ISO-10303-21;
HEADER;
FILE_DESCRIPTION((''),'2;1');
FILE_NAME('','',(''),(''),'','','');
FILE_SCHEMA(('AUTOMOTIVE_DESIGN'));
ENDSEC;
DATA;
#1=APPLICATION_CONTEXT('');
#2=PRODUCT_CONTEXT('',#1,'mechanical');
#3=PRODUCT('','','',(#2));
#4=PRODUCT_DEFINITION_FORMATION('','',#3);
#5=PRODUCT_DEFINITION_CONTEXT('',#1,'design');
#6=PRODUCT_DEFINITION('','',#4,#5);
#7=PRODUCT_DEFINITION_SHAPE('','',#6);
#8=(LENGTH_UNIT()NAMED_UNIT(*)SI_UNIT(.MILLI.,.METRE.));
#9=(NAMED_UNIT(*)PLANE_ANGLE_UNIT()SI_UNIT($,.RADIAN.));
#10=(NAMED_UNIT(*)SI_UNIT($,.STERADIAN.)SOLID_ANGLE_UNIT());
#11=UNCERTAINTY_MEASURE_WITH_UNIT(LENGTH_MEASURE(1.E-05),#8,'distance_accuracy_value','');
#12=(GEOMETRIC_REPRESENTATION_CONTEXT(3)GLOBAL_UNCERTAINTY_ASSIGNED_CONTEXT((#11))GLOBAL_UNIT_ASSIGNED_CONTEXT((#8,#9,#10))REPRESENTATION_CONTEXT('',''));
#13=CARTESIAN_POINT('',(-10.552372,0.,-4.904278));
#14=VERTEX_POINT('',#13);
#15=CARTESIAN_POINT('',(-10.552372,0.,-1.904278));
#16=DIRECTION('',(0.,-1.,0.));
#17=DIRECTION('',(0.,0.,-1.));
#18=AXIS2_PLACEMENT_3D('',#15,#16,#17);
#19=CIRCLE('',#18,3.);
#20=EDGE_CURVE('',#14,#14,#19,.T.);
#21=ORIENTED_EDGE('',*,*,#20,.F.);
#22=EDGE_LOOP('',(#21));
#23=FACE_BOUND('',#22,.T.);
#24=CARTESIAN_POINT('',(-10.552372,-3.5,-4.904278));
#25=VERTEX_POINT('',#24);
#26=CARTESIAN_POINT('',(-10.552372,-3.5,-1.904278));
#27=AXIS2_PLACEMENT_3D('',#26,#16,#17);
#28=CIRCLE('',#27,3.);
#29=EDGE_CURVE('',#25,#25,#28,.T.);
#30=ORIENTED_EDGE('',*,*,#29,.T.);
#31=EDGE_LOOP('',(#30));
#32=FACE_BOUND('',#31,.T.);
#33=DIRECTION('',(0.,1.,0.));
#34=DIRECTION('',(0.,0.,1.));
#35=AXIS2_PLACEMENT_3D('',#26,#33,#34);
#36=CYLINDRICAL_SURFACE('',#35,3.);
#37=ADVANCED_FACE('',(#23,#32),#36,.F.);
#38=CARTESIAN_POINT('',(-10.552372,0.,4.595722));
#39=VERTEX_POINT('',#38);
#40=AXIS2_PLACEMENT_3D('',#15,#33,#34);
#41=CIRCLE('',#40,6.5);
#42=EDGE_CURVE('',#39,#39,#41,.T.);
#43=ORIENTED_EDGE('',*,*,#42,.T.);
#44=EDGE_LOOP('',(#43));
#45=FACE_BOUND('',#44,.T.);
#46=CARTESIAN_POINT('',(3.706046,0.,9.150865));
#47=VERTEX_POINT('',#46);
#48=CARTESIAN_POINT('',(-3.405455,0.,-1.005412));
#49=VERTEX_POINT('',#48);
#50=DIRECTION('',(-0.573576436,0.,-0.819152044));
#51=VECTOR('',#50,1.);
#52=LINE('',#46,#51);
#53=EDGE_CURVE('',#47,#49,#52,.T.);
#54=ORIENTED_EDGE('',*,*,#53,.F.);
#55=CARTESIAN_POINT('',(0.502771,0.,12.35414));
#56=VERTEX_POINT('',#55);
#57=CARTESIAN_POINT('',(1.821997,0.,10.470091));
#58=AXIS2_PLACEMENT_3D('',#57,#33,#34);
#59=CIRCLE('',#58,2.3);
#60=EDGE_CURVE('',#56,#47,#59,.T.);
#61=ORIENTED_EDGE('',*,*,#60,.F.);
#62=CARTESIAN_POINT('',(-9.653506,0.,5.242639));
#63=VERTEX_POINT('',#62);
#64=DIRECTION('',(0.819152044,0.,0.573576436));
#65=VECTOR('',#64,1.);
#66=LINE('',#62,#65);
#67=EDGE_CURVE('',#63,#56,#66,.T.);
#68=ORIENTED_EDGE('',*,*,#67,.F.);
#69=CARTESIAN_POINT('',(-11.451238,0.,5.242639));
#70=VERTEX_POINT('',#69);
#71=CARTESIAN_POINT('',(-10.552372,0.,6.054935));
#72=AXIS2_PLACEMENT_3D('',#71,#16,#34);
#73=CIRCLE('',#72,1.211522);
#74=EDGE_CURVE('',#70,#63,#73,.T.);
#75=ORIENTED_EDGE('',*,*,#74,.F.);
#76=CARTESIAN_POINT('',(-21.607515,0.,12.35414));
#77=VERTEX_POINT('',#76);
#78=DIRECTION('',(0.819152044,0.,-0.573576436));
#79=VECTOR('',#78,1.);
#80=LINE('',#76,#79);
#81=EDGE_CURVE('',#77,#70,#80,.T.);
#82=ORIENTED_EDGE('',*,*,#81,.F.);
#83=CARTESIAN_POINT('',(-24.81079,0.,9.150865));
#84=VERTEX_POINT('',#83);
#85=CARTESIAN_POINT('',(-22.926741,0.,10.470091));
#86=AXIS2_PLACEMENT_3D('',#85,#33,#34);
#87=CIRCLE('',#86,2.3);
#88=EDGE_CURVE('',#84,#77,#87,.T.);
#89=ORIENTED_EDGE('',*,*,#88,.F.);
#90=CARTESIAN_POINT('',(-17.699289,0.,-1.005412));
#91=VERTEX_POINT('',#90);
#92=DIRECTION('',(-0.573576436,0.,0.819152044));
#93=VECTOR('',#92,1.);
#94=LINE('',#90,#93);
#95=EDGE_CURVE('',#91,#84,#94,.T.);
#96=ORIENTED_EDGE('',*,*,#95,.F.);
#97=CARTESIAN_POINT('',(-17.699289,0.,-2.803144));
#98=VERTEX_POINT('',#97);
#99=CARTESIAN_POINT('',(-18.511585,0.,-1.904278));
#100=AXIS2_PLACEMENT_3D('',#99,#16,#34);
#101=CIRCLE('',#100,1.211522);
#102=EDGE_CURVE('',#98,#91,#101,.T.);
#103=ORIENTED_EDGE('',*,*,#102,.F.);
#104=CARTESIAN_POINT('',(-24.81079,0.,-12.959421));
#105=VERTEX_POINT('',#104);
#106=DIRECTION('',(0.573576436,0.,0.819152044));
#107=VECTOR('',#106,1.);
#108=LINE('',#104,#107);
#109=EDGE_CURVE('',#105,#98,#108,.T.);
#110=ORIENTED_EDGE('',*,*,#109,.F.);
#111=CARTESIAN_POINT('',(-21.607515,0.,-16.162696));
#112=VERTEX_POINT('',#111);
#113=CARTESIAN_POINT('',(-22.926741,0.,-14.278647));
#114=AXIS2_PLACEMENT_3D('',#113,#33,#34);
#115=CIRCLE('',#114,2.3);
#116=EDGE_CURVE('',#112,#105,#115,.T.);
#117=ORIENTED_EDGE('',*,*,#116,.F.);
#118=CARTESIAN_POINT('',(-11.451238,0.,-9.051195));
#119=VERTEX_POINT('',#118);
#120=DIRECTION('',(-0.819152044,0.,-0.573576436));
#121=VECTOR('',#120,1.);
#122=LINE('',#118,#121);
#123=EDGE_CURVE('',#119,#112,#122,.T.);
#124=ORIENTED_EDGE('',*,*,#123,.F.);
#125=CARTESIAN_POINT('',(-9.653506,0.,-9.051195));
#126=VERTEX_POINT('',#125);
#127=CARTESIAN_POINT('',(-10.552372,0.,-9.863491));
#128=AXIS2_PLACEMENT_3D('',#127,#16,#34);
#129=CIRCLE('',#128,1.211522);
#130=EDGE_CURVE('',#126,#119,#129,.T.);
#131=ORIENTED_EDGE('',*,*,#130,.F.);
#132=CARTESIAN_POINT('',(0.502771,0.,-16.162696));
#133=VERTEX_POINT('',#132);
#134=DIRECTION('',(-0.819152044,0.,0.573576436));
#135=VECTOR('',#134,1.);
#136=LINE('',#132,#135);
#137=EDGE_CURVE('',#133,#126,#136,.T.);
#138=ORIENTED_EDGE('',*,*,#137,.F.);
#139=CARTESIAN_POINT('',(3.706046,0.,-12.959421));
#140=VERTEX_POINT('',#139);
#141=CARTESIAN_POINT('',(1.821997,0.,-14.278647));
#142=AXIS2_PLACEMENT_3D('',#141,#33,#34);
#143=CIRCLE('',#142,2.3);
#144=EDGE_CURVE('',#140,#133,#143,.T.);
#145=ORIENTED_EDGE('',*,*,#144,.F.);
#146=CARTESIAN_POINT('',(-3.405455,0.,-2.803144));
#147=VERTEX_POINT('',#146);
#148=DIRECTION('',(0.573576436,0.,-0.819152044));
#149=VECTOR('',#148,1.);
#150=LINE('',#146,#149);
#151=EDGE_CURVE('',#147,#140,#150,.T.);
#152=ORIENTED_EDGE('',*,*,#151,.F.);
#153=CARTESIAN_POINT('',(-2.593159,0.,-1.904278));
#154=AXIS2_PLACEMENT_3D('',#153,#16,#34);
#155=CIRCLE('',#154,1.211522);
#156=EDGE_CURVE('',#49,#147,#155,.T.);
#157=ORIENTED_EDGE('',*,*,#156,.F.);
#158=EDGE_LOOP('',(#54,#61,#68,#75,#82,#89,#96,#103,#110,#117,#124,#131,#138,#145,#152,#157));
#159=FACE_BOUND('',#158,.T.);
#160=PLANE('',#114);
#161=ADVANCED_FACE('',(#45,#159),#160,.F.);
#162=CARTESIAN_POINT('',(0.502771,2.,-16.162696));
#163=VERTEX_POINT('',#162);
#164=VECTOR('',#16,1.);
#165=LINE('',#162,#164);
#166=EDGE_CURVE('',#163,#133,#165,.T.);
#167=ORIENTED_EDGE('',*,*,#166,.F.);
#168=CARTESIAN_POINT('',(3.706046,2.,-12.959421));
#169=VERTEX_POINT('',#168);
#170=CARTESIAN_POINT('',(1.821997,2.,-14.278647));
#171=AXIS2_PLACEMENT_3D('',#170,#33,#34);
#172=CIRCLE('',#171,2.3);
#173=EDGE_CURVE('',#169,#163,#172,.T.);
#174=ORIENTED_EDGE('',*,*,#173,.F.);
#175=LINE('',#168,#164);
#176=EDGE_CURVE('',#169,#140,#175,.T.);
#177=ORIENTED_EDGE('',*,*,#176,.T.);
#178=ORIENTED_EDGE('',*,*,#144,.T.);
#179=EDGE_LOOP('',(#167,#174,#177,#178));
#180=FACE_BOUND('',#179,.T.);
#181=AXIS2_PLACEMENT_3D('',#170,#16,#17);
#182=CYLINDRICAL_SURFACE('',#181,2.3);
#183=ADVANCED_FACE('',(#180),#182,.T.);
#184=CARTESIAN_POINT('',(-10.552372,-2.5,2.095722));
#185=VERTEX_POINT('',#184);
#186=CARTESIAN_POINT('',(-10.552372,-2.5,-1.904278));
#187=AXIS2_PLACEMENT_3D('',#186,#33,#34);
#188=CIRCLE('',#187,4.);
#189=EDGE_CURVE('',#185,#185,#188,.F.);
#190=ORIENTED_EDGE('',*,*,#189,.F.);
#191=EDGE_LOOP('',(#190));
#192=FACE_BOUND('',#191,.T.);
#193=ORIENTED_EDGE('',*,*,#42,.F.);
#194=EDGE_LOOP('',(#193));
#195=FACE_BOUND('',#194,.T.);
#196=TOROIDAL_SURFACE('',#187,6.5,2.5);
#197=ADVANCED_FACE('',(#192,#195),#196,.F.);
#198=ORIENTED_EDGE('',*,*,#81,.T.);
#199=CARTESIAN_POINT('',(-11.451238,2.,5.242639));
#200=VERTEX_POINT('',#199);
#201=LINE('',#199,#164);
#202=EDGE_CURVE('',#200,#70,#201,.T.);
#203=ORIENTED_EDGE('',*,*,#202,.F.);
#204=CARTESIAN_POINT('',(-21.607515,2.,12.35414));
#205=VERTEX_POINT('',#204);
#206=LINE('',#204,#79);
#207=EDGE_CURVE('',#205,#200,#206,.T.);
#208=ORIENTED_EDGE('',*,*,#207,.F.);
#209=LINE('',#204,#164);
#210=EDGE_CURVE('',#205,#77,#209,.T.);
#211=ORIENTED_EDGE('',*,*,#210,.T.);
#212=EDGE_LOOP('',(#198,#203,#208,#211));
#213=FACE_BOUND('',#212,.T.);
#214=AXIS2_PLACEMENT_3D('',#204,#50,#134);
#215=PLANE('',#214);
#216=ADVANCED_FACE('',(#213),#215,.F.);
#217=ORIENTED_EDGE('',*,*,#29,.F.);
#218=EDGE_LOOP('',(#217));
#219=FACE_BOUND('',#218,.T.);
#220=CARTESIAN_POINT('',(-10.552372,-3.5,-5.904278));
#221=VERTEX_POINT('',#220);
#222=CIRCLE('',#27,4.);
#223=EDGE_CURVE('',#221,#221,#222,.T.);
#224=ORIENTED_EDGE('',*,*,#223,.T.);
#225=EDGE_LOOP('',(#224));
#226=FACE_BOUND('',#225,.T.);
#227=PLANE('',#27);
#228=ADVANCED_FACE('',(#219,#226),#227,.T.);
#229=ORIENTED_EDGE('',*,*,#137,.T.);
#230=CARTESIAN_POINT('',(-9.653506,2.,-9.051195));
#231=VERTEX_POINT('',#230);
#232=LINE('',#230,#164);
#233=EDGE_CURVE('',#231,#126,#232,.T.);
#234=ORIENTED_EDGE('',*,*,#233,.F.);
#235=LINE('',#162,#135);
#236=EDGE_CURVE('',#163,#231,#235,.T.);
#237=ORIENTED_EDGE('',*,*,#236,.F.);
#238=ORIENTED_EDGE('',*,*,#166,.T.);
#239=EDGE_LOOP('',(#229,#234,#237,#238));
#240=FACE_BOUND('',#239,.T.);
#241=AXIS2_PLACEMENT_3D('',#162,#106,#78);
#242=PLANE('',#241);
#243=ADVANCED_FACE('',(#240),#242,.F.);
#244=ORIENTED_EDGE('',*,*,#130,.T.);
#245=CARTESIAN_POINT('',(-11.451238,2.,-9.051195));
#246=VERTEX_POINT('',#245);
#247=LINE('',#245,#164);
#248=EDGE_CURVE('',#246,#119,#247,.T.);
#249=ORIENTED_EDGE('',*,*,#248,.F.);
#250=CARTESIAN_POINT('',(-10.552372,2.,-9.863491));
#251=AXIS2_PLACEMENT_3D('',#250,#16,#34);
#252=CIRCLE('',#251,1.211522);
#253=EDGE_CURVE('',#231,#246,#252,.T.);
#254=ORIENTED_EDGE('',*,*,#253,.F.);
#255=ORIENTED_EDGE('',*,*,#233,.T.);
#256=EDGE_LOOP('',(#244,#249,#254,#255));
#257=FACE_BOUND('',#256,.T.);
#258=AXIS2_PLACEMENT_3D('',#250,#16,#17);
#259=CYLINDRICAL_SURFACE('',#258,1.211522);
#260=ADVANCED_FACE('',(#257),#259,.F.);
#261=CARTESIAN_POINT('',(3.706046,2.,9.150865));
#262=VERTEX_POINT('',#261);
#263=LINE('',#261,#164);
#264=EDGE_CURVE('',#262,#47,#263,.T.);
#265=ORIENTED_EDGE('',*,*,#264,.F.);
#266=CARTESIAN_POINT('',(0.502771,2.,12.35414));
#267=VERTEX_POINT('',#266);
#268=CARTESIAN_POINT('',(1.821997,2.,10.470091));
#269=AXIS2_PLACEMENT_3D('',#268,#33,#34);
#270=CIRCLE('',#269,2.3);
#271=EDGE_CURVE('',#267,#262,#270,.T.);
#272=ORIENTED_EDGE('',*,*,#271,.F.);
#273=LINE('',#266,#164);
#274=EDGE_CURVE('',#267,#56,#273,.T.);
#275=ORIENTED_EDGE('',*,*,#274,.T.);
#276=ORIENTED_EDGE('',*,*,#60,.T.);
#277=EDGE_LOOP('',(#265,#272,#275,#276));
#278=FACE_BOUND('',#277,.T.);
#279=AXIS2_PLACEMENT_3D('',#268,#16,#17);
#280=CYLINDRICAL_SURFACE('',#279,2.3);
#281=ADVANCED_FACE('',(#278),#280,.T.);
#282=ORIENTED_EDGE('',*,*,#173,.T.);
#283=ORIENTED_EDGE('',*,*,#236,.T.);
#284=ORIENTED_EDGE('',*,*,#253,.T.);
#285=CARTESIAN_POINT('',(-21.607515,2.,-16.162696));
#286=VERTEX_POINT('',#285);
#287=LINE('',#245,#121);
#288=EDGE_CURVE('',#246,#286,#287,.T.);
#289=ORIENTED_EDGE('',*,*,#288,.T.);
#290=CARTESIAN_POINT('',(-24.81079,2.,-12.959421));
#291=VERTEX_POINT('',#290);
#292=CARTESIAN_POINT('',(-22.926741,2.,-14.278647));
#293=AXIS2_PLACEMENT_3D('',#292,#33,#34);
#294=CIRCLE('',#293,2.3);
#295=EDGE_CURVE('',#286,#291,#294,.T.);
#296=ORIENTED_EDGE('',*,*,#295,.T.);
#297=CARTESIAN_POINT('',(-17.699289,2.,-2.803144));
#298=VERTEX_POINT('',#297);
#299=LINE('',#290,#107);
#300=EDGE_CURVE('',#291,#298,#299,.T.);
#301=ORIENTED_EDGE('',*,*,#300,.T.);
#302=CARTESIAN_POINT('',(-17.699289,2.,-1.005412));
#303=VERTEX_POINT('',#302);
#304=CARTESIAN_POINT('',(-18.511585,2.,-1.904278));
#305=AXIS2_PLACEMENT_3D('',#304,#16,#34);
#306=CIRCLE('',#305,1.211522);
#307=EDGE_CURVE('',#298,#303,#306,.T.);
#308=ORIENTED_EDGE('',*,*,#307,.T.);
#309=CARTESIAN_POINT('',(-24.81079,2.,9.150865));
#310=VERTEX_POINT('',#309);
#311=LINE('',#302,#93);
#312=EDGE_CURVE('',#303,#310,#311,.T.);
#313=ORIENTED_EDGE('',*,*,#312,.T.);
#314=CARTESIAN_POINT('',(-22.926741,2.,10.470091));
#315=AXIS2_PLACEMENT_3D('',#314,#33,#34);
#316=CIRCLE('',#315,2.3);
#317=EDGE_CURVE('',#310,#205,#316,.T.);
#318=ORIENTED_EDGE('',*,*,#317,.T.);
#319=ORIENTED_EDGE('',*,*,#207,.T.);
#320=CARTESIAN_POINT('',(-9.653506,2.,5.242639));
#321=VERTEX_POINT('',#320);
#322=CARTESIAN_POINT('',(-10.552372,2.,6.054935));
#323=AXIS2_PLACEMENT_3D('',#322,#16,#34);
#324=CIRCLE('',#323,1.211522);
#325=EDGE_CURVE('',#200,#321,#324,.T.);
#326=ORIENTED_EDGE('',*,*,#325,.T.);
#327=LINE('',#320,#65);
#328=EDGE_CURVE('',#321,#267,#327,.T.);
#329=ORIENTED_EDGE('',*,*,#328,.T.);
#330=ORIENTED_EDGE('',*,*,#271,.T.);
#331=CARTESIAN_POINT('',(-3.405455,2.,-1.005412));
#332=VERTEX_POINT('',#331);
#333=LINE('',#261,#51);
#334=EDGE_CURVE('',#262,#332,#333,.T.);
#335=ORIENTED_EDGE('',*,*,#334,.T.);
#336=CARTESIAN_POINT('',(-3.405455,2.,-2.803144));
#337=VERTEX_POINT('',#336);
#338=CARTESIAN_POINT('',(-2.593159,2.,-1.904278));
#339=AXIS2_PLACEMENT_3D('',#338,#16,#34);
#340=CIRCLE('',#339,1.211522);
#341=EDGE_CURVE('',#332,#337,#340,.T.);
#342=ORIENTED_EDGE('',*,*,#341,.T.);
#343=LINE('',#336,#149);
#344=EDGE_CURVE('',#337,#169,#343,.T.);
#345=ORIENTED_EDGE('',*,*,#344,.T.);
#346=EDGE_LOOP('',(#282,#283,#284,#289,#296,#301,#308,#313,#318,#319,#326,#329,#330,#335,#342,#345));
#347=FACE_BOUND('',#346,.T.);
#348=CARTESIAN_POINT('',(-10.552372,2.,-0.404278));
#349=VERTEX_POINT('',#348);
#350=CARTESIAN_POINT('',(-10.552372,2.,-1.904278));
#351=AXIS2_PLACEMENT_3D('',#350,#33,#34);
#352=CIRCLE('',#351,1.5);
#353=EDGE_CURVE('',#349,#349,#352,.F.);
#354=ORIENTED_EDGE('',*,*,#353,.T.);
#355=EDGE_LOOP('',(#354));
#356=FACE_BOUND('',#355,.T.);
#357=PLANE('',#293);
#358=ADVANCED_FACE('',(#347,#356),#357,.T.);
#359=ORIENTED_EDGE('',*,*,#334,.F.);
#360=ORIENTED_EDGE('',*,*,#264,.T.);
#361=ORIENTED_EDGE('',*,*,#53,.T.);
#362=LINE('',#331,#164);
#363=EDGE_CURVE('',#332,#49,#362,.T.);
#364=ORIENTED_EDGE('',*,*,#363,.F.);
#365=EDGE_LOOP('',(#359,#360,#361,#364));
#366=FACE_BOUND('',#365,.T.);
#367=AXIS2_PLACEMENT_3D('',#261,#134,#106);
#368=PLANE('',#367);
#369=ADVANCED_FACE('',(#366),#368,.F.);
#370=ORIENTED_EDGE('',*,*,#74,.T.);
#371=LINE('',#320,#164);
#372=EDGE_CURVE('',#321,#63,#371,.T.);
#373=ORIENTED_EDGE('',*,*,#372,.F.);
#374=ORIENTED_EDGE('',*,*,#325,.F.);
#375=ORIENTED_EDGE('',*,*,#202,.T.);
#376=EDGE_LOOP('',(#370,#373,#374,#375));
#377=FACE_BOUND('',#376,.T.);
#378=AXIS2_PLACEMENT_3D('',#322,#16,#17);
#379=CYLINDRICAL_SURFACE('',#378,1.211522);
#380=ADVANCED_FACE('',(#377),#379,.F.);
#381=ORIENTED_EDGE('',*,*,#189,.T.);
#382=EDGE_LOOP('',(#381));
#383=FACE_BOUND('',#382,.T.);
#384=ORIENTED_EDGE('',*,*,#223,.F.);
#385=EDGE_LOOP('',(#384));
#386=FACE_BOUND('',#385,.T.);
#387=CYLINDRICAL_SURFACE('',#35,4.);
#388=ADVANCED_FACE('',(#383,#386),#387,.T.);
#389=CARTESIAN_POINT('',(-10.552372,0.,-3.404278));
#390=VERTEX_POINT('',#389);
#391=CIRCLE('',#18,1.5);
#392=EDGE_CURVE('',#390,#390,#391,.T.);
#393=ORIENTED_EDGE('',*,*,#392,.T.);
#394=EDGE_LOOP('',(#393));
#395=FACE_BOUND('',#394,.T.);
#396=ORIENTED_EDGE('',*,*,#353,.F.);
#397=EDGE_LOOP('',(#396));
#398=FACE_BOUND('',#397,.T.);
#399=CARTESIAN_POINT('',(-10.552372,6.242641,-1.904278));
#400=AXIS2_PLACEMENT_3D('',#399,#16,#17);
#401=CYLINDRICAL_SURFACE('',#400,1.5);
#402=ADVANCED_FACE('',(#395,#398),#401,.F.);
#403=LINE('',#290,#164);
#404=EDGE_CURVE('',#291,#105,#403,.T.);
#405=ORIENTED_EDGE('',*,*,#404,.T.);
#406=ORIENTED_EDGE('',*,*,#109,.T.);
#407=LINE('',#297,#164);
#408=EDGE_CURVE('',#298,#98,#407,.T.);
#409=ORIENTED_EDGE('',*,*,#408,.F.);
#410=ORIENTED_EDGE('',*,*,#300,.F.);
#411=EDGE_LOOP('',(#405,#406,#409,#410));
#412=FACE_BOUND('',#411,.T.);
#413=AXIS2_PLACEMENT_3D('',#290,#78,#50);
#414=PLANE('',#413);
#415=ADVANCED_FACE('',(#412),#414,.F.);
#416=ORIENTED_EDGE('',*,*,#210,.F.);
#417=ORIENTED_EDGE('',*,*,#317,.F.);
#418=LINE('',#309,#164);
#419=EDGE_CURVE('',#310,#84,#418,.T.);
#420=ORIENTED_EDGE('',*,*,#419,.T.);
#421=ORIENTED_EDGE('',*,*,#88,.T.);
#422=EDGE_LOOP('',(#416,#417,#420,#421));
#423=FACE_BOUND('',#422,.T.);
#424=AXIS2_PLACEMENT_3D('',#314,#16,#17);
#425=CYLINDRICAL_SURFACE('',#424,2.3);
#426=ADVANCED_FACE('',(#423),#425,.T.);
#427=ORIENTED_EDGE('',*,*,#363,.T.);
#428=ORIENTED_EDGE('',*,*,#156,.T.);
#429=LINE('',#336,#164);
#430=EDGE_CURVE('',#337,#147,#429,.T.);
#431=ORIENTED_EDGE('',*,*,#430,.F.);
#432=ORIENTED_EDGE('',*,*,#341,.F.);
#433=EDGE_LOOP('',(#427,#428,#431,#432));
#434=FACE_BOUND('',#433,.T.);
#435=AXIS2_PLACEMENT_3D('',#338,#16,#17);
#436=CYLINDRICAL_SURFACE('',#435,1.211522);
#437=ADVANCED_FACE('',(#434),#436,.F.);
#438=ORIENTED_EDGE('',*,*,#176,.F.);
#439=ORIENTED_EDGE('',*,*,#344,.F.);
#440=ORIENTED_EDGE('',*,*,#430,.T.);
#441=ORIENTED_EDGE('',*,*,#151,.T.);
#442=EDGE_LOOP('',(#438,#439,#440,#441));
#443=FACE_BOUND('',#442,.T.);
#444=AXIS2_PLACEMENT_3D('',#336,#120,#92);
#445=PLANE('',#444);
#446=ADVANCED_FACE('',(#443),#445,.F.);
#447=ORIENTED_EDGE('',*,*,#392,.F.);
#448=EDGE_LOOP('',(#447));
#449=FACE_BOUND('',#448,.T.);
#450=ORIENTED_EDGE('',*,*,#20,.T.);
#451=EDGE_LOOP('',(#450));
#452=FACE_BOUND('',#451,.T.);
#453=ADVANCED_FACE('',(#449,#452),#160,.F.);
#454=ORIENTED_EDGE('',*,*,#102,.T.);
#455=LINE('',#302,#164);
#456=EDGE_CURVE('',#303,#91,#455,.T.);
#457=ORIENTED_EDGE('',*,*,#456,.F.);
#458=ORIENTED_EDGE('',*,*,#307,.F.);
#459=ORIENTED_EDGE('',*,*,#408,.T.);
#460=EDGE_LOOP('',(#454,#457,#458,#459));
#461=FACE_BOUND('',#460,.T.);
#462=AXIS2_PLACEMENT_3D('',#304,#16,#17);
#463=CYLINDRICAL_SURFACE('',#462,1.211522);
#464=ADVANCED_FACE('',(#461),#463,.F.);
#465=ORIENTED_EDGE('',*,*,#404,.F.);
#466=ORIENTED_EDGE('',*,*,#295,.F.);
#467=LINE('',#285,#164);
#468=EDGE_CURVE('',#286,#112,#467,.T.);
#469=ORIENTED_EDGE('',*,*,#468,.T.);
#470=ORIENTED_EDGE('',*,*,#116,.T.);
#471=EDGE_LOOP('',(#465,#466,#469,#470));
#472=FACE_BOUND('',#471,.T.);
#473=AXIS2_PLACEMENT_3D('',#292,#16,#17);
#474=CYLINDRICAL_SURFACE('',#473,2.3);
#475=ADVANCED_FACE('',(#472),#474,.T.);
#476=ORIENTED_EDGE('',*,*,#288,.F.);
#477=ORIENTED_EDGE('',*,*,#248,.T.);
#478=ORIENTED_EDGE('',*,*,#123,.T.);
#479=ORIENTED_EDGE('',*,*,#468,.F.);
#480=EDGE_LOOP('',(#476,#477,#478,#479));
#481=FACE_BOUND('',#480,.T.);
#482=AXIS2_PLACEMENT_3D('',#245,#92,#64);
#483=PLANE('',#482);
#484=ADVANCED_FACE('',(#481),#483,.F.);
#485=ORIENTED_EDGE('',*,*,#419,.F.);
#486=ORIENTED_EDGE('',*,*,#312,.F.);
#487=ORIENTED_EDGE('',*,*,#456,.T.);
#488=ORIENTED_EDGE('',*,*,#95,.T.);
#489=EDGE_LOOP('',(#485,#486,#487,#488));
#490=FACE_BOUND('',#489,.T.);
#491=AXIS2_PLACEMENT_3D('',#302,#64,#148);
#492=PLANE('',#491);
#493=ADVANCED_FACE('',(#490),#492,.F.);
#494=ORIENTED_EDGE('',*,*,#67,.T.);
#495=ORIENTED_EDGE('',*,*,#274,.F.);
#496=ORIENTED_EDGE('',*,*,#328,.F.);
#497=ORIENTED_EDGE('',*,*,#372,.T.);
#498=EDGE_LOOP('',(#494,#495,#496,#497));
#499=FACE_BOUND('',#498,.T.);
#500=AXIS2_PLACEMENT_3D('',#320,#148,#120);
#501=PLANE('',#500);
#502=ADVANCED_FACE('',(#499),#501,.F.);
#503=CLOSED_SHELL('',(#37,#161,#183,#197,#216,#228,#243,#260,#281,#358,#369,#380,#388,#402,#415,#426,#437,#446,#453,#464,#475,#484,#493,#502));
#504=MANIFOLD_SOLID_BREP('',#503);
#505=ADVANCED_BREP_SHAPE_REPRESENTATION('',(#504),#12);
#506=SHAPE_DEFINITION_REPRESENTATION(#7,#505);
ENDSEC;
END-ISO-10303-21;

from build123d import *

# Parameters (mm, degrees)
BOSS_EXTRUDE1_DEPTH = 2
SKETCH2_R           = 4
SKETCH2_R_2         = 3
BOSS_EXTRUDE2_DEPTH = 3.5
FILLET1_R           = 2.5
SKETCH3_R           = 1.5
CUT_EXTRUDE1_DEPTH  = 2


with BuildPart() as part:
    # Sketch1 → Boss-Extrude1 (new body)
    with BuildSketch(Plane(origin=(0, 0, 0), x_dir=(1, 0, 0), z_dir=(0, 1, 0))):
        with BuildLine():
            Line((-24.810790305, 12.959420841), (-17.699288905, 2.803144292))
            ThreePointArc((-17.699288905, 2.803144292), (-17.300062844, 1.904277974), (-17.699288905, 1.005411656))
            Line((-17.699288905, 1.005411656), (-24.810790305, -9.150864893))
            ThreePointArc((-24.810790305, -9.150864893), (-24.5530862, -12.096436293), (-21.6075148, -12.354140399))
            Line((-21.6075148, -12.354140399), (-11.45123825, -5.242638998))
            ThreePointArc((-11.45123825, -5.242638998), (-10.552371933, -4.843412937), (-9.653505615, -5.242638998))
            Line((-9.653505615, -5.242638998), (0.502770934, -12.354140399))
            ThreePointArc((0.502770934, -12.354140399), (3.448342335, -12.096436293), (3.70604644, -9.150864893))
            Line((3.70604644, -9.150864893), (-3.40545496, 1.005411656))
            ThreePointArc((-3.40545496, 1.005411656), (-3.804681022, 1.904277974), (-3.40545496, 2.803144292))
            Line((-3.40545496, 2.803144292), (3.70604644, 12.959420841))
            ThreePointArc((3.70604644, 12.959420841), (3.448342335, 15.904992242), (0.502770934, 16.162696347))
            Line((0.502770934, 16.162696347), (-9.653505615, 9.051194947))
            ThreePointArc((-9.653505615, 9.051194947), (-10.552371933, 8.651968885), (-11.45123825, 9.051194947))
            Line((-11.45123825, 9.051194947), (-21.6075148, 16.162696347))
            ThreePointArc((-21.6075148, 16.162696347), (-24.5530862, 15.904992242), (-24.810790305, 12.959420841))
        make_face()
    extrude(amount=BOSS_EXTRUDE1_DEPTH)

    # Sketch2 → Boss-Extrude2 (add)
    with BuildSketch(Plane.XZ):
        with Locations(Location((-10.552371933, -1.904277974, 0), (0, 0, 90))):
            Circle(SKETCH2_R)
        with Locations(Location((-10.552371933, -1.904277974, 0), (0, 0, 270))):
            Circle(SKETCH2_R_2, mode=Mode.SUBTRACT)
    extrude(amount=BOSS_EXTRUDE2_DEPTH)

    # Fillet1
    fillet1_edges = [part.edges().sort_by_distance(p)[0] for p in [
        (-10.552371933, 0, -5.904277974),
    ]]
    fillet(fillet1_edges, radius=FILLET1_R)

    # Sketch3 → Cut-Extrude1 (cut)
    with BuildSketch(Plane.XZ):
        with Locations(Location((-10.552371933, -1.904277974, 0), (0, 0, 270))):
            Circle(SKETCH3_R)
    extrude(amount=-CUT_EXTRUDE1_DEPTH, mode=Mode.SUBTRACT)


solid = part.part
